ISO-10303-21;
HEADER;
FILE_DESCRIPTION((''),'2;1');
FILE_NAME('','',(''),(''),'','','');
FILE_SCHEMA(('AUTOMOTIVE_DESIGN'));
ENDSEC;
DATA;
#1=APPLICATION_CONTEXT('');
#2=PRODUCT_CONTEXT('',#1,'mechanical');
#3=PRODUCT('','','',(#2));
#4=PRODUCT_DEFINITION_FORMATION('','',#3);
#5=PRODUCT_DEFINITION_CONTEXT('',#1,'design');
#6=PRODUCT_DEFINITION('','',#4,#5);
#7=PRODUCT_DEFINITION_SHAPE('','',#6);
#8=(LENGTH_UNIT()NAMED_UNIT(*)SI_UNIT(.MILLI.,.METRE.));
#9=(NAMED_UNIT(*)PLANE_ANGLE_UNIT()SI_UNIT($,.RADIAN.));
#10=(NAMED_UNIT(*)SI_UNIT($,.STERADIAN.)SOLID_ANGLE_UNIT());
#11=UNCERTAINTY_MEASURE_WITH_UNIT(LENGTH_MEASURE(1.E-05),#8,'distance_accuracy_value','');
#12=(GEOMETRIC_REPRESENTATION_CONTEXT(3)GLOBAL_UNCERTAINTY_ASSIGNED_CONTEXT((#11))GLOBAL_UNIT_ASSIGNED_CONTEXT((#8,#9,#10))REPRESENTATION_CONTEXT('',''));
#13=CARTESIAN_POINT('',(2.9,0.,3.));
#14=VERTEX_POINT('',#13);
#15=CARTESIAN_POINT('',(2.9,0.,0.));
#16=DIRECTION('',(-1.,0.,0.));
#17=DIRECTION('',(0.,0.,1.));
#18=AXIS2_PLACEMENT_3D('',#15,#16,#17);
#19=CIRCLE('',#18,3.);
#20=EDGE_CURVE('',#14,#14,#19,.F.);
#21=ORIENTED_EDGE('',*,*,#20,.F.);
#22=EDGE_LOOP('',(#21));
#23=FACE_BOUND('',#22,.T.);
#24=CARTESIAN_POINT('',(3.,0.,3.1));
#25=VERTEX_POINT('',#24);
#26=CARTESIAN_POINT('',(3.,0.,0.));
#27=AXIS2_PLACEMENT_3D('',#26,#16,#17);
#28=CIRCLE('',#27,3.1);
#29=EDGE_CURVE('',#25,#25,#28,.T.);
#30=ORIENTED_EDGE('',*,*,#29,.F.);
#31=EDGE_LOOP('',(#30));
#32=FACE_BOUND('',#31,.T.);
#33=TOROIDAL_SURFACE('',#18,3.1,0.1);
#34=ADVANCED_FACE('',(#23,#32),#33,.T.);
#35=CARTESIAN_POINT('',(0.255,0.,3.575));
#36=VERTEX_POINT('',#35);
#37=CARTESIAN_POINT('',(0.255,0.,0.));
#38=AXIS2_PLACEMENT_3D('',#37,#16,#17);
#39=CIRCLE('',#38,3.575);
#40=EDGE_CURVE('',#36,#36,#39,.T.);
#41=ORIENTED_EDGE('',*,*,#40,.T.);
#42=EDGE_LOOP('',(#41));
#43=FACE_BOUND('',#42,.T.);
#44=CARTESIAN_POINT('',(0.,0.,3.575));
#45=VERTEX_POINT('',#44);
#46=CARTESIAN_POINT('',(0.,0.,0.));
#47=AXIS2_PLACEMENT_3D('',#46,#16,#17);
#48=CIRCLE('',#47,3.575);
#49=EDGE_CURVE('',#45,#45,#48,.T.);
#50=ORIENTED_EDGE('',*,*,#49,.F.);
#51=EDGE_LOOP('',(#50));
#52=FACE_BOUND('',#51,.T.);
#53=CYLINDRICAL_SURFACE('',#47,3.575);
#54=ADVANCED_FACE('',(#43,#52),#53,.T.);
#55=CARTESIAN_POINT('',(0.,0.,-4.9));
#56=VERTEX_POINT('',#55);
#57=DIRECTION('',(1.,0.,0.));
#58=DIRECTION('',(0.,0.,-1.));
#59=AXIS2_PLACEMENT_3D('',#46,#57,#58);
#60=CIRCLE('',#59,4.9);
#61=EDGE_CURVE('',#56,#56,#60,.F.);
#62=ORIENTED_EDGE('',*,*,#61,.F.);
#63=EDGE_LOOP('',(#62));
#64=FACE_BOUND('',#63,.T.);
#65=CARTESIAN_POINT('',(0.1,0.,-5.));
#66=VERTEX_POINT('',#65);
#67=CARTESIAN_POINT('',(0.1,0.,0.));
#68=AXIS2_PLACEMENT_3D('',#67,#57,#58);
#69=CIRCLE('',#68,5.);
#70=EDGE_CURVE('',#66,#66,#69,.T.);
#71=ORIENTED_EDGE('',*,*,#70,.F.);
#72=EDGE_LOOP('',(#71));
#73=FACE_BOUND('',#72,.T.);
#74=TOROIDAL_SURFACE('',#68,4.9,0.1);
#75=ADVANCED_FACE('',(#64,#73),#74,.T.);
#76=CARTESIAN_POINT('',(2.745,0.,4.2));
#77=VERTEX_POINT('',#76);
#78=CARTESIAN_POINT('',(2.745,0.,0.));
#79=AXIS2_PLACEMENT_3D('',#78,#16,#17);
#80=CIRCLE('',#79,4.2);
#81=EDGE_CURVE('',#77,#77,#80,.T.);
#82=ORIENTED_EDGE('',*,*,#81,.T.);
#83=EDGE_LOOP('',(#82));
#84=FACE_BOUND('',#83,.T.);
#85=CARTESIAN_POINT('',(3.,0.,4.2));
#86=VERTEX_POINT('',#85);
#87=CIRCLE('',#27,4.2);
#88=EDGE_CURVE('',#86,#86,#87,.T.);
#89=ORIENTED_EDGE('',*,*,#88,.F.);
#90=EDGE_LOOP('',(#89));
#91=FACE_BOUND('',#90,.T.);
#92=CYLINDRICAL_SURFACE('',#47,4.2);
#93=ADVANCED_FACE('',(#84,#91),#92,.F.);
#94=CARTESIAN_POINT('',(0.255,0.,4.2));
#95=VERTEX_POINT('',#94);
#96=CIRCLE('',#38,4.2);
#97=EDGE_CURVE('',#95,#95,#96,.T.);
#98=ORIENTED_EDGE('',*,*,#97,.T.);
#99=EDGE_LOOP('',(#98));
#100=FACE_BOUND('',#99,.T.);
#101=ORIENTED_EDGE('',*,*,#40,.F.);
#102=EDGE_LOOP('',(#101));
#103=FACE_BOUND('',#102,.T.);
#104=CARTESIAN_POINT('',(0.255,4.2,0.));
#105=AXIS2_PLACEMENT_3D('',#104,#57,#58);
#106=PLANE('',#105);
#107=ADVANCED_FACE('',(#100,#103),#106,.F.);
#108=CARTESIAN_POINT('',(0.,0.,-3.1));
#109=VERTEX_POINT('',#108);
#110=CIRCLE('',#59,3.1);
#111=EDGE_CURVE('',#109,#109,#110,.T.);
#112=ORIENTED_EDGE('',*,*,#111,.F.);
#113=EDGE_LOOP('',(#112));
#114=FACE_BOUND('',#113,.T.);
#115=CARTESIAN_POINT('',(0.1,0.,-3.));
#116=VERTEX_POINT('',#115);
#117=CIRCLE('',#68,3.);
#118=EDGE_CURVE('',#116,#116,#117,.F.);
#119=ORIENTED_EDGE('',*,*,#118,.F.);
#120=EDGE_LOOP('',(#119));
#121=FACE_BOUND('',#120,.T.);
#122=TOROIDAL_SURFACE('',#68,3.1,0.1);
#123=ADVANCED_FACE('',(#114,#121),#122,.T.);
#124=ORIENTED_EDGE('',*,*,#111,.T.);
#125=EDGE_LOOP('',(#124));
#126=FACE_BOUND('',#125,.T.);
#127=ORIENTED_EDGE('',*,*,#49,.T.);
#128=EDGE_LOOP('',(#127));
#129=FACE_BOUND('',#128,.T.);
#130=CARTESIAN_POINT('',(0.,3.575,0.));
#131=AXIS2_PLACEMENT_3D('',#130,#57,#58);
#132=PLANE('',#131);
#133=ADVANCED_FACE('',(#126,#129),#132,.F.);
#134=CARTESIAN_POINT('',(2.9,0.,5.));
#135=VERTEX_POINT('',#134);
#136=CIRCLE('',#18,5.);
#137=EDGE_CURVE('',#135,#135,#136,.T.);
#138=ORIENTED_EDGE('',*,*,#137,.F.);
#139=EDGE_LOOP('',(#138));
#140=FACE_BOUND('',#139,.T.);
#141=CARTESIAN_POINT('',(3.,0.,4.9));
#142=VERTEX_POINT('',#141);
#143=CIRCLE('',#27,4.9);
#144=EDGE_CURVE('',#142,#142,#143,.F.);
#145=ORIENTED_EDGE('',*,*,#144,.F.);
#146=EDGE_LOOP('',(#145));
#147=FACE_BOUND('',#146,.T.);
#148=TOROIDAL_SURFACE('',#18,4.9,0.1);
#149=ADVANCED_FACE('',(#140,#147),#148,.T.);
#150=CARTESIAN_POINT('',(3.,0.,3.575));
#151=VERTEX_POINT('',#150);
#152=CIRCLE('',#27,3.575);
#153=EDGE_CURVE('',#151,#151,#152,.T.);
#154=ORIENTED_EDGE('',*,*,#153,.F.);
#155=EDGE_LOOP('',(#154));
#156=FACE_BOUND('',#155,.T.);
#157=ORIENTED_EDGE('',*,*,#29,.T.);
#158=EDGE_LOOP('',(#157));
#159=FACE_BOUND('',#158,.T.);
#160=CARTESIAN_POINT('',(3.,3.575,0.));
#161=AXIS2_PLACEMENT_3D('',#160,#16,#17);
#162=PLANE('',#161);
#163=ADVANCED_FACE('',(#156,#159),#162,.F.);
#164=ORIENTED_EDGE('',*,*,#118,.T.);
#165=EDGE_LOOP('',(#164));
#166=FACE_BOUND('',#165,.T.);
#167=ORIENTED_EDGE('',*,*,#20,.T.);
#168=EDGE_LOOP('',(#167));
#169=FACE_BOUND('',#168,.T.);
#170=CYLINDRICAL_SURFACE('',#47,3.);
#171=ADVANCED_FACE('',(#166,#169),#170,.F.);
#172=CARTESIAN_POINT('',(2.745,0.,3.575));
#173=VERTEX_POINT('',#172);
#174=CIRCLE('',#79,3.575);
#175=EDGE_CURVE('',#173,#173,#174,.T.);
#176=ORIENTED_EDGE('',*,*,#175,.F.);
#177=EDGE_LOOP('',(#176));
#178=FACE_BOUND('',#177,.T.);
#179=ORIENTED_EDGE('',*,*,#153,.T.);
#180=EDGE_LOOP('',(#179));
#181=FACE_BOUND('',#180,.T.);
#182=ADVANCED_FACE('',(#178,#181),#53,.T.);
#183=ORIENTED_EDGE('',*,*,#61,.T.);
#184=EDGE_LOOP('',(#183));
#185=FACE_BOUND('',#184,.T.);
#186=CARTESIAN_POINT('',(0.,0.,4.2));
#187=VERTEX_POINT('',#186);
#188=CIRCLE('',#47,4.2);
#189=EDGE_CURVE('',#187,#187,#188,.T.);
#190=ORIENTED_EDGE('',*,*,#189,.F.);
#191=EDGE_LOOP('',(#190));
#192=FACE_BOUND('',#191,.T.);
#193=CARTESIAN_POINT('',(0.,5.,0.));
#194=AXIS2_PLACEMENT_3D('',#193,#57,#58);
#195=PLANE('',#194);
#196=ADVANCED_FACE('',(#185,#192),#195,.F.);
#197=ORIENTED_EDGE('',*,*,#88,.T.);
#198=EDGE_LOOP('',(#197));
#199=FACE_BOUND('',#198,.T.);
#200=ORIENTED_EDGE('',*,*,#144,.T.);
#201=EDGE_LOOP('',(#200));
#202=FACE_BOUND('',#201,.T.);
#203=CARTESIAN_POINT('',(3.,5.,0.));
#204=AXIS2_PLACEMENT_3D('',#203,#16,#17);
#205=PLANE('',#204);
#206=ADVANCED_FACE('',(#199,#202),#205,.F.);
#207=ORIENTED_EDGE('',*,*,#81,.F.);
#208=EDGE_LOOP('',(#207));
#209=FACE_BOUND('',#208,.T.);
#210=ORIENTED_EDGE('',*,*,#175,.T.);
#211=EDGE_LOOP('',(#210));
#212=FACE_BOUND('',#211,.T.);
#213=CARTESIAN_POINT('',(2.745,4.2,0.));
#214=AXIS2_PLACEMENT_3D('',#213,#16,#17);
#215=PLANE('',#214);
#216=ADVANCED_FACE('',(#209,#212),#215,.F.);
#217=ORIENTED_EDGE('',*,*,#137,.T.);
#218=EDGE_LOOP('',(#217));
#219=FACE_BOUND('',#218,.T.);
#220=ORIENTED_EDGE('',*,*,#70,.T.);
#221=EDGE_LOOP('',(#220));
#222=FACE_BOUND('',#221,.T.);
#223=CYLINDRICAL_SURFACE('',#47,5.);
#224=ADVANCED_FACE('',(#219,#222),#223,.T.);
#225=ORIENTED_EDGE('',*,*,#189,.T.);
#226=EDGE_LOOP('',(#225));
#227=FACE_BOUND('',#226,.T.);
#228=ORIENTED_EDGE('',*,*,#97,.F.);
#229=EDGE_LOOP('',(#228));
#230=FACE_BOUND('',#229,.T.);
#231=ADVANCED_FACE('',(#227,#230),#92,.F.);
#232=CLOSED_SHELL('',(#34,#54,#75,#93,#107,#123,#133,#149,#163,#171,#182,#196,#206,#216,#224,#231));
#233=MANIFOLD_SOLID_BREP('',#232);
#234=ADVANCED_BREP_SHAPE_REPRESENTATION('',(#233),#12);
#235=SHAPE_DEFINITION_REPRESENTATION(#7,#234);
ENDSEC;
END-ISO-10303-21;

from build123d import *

# Parameters (mm, degrees)
FILLET1_R = 0.1
FILLET2_R = 0.1


with BuildPart() as part:
    # Sketch1 → Revolve1 (revolve)
    with BuildSketch(Plane.XY, mode=Mode.PRIVATE) as revolve1_sk:
        Polygon((0, 3), (3, 3), (3, 3.575), (2.745, 3.575), (2.745, 4.2), (3, 4.2), (3, 5), (0, 5), (0, 4.2), (0.255, 4.2), (0.255, 3.575), (0, 3.575), align=None)
    revolve(revolve1_sk.sketch.rotate(Axis((0, 0, 0), (1, 0, 0)), 90), axis=Axis((0, 0, 0), (1, 0, 0)))

    # Fillet1
    fillet1_edges = [part.edges().sort_by_distance(p)[0] for p in [
        (0, 0, -5),
        (3, 0, -5),
    ]]
    fillet(fillet1_edges, radius=FILLET1_R)

    # Fillet2
    fillet2_edges = [part.edges().sort_by_distance(p)[0] for p in [
        (3, 0, -3),
        (0, 0, -3),
    ]]
    fillet(fillet2_edges, radius=FILLET2_R)


solid = part.part
